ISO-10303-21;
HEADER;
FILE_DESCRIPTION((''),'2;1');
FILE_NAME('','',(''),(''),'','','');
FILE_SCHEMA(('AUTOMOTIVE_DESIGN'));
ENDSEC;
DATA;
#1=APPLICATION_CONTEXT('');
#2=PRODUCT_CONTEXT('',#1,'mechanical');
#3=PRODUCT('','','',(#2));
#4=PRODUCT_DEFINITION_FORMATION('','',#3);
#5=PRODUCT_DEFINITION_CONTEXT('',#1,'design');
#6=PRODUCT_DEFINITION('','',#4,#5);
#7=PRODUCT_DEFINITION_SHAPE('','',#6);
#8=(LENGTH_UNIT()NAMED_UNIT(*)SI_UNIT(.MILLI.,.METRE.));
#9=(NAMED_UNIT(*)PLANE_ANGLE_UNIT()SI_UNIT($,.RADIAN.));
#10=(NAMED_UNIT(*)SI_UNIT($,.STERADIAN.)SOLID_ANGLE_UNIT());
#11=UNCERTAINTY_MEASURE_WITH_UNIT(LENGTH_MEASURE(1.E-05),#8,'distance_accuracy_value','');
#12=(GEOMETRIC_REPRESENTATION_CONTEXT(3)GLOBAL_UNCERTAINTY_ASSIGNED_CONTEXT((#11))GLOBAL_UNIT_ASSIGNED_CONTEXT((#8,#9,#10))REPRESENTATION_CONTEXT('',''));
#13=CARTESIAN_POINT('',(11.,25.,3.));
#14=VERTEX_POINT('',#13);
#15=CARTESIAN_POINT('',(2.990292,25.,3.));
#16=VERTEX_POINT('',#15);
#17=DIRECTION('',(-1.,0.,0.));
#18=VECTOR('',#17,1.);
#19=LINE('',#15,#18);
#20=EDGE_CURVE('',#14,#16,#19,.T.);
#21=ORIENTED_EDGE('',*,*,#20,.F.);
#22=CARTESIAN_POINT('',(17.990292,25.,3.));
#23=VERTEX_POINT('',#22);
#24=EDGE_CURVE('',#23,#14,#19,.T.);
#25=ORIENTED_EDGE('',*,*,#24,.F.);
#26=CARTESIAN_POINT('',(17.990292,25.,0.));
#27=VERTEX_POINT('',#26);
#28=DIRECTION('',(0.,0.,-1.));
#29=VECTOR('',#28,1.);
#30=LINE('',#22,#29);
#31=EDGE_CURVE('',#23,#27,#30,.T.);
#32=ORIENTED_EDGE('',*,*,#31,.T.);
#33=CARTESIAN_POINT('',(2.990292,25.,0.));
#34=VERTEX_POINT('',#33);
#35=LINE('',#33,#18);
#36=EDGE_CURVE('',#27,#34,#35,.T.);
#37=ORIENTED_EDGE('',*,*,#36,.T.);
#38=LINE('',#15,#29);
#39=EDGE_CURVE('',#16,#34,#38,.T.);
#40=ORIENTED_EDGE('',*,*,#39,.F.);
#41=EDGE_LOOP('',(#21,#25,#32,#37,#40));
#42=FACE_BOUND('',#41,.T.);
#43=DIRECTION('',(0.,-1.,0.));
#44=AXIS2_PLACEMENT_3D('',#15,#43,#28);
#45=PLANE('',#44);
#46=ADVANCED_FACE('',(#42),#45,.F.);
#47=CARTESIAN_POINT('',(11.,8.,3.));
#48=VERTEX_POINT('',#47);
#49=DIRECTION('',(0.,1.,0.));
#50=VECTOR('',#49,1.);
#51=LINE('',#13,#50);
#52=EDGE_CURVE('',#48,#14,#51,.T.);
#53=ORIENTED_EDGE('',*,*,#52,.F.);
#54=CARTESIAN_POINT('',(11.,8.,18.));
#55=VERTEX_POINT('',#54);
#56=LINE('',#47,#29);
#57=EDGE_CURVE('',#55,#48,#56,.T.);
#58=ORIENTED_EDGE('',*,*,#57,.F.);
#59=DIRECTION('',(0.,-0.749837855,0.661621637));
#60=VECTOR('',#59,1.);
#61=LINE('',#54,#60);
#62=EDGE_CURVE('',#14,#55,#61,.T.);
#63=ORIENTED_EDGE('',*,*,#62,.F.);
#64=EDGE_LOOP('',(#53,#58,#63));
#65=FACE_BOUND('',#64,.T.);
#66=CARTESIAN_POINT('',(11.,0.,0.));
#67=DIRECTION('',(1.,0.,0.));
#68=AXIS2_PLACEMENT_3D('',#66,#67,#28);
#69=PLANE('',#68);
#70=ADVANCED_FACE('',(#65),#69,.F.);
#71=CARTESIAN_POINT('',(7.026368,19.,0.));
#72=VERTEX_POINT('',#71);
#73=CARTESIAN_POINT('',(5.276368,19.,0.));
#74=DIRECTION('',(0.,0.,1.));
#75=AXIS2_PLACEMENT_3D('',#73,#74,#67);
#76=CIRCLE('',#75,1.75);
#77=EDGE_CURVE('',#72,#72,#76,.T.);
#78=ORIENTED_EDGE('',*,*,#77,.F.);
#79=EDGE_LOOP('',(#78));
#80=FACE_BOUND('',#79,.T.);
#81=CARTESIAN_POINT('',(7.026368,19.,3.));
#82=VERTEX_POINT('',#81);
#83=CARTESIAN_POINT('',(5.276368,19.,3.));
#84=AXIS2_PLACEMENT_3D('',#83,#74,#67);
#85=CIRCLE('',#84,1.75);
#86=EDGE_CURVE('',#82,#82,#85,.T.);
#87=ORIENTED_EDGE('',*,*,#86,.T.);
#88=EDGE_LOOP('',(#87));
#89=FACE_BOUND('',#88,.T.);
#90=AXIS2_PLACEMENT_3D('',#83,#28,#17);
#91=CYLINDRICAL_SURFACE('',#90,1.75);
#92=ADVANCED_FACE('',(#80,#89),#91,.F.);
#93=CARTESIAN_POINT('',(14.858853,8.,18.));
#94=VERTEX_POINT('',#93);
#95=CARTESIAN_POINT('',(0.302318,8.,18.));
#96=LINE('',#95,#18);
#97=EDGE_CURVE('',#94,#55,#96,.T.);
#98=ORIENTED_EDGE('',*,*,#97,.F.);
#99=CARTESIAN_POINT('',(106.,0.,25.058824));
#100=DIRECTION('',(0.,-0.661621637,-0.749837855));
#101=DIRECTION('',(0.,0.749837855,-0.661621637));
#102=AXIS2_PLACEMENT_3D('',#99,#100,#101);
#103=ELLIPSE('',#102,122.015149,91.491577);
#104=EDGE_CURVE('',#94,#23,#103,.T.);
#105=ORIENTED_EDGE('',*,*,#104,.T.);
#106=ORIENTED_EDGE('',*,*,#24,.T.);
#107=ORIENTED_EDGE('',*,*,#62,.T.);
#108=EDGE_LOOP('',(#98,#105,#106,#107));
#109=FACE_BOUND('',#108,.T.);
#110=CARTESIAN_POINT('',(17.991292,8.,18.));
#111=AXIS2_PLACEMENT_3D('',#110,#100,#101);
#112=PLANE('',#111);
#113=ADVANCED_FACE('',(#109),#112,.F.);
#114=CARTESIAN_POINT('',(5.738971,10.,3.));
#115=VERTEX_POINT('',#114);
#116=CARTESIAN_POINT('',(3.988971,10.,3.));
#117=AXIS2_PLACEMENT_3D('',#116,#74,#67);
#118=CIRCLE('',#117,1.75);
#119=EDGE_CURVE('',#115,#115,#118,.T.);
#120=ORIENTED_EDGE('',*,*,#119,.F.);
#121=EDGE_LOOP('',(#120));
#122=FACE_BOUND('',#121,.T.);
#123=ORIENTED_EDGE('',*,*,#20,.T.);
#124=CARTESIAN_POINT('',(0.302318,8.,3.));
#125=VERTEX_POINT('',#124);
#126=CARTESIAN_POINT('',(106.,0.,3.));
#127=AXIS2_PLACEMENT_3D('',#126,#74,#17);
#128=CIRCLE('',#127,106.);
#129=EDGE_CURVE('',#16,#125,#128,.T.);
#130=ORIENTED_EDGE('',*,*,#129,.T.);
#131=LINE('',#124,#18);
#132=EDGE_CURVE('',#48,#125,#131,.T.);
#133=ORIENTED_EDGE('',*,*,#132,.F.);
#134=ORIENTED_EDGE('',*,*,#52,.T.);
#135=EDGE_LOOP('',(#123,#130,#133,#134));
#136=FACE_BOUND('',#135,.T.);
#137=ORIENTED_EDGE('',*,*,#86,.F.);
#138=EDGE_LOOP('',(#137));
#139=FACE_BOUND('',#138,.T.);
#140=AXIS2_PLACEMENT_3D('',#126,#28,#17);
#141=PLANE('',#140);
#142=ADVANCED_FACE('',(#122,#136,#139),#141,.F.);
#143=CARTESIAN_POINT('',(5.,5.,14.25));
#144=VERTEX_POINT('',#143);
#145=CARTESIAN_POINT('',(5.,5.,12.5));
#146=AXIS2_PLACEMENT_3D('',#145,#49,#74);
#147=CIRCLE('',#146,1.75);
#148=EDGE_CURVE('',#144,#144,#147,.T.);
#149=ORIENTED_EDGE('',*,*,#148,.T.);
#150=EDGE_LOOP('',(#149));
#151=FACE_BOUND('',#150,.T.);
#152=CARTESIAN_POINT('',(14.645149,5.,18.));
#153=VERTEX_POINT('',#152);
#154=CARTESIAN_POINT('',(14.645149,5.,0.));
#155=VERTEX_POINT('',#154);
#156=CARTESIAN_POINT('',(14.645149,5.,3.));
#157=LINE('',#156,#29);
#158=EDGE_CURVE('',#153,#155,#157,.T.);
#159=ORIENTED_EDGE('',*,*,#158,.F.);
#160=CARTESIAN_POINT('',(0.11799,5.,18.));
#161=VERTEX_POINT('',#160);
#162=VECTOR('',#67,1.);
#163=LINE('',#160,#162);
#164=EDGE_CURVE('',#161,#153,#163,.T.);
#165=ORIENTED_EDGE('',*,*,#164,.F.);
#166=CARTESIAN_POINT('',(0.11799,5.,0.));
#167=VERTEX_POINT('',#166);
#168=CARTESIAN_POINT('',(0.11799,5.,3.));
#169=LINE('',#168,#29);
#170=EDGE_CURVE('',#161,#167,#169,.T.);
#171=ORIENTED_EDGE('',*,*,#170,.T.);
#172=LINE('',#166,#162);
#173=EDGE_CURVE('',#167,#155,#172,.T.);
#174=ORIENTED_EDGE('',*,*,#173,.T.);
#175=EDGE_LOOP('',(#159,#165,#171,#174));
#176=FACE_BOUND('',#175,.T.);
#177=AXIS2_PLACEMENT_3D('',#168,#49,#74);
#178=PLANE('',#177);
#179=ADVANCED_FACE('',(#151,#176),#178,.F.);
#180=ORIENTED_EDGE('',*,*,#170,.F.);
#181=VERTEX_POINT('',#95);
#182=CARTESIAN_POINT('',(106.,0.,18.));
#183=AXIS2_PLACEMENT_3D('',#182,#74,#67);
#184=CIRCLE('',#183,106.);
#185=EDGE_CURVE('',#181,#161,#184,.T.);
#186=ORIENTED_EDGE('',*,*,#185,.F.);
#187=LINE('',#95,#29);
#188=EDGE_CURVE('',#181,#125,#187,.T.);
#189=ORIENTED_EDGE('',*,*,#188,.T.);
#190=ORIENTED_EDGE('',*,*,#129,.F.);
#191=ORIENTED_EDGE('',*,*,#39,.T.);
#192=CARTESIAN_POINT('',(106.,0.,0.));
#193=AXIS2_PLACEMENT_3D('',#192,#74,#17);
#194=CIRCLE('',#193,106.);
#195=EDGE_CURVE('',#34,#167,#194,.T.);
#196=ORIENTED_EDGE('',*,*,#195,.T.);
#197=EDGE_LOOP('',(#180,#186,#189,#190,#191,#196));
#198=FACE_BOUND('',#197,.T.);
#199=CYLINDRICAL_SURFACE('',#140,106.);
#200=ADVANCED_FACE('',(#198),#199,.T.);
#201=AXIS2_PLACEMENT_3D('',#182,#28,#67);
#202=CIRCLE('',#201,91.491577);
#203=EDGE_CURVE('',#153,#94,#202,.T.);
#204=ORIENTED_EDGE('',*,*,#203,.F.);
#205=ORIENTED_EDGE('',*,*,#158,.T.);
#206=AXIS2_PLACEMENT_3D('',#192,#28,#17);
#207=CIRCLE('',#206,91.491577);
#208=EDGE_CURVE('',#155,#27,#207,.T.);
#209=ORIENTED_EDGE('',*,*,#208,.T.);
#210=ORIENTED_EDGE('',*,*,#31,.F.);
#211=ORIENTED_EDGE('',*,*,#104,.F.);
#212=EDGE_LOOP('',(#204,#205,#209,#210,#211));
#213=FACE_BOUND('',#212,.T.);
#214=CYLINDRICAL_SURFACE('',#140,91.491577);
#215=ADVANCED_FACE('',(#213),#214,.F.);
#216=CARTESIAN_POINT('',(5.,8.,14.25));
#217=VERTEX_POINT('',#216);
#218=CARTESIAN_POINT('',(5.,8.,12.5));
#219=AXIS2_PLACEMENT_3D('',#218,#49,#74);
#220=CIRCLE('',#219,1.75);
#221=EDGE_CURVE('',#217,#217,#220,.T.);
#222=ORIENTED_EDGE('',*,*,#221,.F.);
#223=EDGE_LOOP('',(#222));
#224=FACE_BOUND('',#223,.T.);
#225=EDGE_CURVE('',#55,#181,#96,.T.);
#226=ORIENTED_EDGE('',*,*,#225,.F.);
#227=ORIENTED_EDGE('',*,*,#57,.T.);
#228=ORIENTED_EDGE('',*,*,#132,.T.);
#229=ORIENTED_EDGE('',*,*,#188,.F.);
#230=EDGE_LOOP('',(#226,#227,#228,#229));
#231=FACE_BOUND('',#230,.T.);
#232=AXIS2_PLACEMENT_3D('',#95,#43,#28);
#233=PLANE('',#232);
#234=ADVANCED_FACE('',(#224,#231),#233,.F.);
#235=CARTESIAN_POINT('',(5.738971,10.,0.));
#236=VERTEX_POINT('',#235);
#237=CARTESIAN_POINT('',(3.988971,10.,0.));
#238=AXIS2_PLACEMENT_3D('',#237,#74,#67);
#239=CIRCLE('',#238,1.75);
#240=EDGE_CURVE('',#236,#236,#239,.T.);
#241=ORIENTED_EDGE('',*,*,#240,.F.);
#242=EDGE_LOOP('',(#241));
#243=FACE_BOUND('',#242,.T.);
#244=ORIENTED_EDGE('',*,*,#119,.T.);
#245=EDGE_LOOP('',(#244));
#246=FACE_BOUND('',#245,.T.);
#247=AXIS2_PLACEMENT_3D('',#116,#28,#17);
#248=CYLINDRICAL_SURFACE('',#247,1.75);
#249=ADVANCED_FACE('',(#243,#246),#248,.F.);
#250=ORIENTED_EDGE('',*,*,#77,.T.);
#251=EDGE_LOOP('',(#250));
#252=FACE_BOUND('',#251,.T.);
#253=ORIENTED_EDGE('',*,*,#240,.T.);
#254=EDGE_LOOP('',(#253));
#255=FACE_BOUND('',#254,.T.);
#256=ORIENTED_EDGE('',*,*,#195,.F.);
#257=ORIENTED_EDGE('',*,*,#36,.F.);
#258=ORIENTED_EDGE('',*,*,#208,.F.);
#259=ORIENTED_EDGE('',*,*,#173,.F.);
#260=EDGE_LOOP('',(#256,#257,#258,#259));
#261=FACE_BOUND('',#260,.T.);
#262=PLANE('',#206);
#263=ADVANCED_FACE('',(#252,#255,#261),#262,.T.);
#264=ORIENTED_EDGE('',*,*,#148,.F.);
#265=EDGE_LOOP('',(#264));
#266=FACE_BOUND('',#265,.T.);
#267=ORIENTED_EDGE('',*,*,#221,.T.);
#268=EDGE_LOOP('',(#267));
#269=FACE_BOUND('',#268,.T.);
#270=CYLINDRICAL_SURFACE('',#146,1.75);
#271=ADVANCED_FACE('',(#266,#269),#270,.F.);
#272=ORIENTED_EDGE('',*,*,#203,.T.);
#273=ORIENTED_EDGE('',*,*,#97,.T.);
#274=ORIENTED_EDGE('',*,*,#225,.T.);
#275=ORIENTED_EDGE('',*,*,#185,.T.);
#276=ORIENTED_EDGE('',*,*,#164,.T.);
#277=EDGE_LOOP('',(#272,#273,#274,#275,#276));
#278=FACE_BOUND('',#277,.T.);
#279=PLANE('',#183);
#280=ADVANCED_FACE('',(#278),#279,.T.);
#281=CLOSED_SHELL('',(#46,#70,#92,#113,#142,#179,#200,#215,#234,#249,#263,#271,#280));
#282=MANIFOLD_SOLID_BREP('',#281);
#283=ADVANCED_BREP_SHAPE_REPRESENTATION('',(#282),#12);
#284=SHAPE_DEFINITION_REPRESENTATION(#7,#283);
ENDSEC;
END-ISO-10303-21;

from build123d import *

# Parameters (mm, degrees)
SKETCH1_R                = 1.75
BOSS_EXTRUDE1_DEPTH      = 3
BOSS_EXTRUDE2_DEPTH      = 15
BOSS_EXTRUDE3_REACH      = 34.671
BOSS_EXTRUDE3_END_RADIUS = 91.49157749
SKETCH4_R                = 1.75
CUT_EXTRUDE1_DEPTH       = 31.604747935


with BuildPart() as part:
    # Sketch1 → Boss-Extrude1 (new body)
    with BuildSketch(Plane.XY):
        with BuildLine():
            Line((0.117990197, 5), (14.645149272, 5))
            ThreePointArc((14.645149272, 5), (15.76191903, 15.092961754), (17.99029172, 25))
            Line((17.99029172, 25), (2.99029172, 25))
            ThreePointArc((2.99029172, 25), (1.076516113, 15.068594129), (0.117990197, 5))
        make_face()
        with Locations((3.988971184, 10)):
            Circle(SKETCH1_R, mode=Mode.SUBTRACT)
        with Locations((5.276368215, 19)):
            Circle(SKETCH1_R, mode=Mode.SUBTRACT)
    extrude(amount=BOSS_EXTRUDE1_DEPTH)

    # Sketch2 → Boss-Extrude2 (add)
    with BuildSketch(Plane.XY.offset(3)):
        with BuildLine():
            Line((0.117990197, 5), (14.645149272, 5))
            ThreePointArc((14.645149272, 5), (14.739672725, 6.500878193), (14.858852588, 8))
            Line((14.858852588, 8), (0.302317906, 8))
            ThreePointArc((0.302317906, 8), (0.199520295, 6.500653365), (0.117990197, 5))
        make_face()
    extrude(amount=BOSS_EXTRUDE2_DEPTH)

    # Boss-Extrude3: up to this cylinder (the profile starts outside it)
    boss_extrude3_end = Plane(origin=(106, 0, 8), z_dir=(0, 0, -1)) * Cylinder(BOSS_EXTRUDE3_END_RADIUS, 253.32515498, mode=Mode.PRIVATE)
    # Sketch3 → Boss-Extrude3 (add, up to the surface)
    with BuildSketch(Plane(origin=(11, 0, 0), x_dir=(0, 0, -1), z_dir=(1, 0, 0)), mode=Mode.PRIVATE) as boss_extrude3_sk1:
        Polygon((-18, 8), (-3, 25), (-3, 8), align=None)
    boss_extrude3_tool1 = extrude(boss_extrude3_sk1.sketch, amount=BOSS_EXTRUDE3_REACH, mode=Mode.PRIVATE) - boss_extrude3_end
    add(boss_extrude3_tool1.solids().sort_by_distance((11, 13.666667, 8))[0])

    # Sketch4 → Cut-Extrude1 (cut, through all)
    with BuildSketch(Plane(origin=(0, 8, 0), x_dir=(1, 0, 0), z_dir=(0, 1, 0))):
        with Locations(Location((5, -12.5, 0), (0, 0, 270))):
            Circle(SKETCH4_R)
    extrude(amount=-CUT_EXTRUDE1_DEPTH, mode=Mode.SUBTRACT)


solid = part.part
